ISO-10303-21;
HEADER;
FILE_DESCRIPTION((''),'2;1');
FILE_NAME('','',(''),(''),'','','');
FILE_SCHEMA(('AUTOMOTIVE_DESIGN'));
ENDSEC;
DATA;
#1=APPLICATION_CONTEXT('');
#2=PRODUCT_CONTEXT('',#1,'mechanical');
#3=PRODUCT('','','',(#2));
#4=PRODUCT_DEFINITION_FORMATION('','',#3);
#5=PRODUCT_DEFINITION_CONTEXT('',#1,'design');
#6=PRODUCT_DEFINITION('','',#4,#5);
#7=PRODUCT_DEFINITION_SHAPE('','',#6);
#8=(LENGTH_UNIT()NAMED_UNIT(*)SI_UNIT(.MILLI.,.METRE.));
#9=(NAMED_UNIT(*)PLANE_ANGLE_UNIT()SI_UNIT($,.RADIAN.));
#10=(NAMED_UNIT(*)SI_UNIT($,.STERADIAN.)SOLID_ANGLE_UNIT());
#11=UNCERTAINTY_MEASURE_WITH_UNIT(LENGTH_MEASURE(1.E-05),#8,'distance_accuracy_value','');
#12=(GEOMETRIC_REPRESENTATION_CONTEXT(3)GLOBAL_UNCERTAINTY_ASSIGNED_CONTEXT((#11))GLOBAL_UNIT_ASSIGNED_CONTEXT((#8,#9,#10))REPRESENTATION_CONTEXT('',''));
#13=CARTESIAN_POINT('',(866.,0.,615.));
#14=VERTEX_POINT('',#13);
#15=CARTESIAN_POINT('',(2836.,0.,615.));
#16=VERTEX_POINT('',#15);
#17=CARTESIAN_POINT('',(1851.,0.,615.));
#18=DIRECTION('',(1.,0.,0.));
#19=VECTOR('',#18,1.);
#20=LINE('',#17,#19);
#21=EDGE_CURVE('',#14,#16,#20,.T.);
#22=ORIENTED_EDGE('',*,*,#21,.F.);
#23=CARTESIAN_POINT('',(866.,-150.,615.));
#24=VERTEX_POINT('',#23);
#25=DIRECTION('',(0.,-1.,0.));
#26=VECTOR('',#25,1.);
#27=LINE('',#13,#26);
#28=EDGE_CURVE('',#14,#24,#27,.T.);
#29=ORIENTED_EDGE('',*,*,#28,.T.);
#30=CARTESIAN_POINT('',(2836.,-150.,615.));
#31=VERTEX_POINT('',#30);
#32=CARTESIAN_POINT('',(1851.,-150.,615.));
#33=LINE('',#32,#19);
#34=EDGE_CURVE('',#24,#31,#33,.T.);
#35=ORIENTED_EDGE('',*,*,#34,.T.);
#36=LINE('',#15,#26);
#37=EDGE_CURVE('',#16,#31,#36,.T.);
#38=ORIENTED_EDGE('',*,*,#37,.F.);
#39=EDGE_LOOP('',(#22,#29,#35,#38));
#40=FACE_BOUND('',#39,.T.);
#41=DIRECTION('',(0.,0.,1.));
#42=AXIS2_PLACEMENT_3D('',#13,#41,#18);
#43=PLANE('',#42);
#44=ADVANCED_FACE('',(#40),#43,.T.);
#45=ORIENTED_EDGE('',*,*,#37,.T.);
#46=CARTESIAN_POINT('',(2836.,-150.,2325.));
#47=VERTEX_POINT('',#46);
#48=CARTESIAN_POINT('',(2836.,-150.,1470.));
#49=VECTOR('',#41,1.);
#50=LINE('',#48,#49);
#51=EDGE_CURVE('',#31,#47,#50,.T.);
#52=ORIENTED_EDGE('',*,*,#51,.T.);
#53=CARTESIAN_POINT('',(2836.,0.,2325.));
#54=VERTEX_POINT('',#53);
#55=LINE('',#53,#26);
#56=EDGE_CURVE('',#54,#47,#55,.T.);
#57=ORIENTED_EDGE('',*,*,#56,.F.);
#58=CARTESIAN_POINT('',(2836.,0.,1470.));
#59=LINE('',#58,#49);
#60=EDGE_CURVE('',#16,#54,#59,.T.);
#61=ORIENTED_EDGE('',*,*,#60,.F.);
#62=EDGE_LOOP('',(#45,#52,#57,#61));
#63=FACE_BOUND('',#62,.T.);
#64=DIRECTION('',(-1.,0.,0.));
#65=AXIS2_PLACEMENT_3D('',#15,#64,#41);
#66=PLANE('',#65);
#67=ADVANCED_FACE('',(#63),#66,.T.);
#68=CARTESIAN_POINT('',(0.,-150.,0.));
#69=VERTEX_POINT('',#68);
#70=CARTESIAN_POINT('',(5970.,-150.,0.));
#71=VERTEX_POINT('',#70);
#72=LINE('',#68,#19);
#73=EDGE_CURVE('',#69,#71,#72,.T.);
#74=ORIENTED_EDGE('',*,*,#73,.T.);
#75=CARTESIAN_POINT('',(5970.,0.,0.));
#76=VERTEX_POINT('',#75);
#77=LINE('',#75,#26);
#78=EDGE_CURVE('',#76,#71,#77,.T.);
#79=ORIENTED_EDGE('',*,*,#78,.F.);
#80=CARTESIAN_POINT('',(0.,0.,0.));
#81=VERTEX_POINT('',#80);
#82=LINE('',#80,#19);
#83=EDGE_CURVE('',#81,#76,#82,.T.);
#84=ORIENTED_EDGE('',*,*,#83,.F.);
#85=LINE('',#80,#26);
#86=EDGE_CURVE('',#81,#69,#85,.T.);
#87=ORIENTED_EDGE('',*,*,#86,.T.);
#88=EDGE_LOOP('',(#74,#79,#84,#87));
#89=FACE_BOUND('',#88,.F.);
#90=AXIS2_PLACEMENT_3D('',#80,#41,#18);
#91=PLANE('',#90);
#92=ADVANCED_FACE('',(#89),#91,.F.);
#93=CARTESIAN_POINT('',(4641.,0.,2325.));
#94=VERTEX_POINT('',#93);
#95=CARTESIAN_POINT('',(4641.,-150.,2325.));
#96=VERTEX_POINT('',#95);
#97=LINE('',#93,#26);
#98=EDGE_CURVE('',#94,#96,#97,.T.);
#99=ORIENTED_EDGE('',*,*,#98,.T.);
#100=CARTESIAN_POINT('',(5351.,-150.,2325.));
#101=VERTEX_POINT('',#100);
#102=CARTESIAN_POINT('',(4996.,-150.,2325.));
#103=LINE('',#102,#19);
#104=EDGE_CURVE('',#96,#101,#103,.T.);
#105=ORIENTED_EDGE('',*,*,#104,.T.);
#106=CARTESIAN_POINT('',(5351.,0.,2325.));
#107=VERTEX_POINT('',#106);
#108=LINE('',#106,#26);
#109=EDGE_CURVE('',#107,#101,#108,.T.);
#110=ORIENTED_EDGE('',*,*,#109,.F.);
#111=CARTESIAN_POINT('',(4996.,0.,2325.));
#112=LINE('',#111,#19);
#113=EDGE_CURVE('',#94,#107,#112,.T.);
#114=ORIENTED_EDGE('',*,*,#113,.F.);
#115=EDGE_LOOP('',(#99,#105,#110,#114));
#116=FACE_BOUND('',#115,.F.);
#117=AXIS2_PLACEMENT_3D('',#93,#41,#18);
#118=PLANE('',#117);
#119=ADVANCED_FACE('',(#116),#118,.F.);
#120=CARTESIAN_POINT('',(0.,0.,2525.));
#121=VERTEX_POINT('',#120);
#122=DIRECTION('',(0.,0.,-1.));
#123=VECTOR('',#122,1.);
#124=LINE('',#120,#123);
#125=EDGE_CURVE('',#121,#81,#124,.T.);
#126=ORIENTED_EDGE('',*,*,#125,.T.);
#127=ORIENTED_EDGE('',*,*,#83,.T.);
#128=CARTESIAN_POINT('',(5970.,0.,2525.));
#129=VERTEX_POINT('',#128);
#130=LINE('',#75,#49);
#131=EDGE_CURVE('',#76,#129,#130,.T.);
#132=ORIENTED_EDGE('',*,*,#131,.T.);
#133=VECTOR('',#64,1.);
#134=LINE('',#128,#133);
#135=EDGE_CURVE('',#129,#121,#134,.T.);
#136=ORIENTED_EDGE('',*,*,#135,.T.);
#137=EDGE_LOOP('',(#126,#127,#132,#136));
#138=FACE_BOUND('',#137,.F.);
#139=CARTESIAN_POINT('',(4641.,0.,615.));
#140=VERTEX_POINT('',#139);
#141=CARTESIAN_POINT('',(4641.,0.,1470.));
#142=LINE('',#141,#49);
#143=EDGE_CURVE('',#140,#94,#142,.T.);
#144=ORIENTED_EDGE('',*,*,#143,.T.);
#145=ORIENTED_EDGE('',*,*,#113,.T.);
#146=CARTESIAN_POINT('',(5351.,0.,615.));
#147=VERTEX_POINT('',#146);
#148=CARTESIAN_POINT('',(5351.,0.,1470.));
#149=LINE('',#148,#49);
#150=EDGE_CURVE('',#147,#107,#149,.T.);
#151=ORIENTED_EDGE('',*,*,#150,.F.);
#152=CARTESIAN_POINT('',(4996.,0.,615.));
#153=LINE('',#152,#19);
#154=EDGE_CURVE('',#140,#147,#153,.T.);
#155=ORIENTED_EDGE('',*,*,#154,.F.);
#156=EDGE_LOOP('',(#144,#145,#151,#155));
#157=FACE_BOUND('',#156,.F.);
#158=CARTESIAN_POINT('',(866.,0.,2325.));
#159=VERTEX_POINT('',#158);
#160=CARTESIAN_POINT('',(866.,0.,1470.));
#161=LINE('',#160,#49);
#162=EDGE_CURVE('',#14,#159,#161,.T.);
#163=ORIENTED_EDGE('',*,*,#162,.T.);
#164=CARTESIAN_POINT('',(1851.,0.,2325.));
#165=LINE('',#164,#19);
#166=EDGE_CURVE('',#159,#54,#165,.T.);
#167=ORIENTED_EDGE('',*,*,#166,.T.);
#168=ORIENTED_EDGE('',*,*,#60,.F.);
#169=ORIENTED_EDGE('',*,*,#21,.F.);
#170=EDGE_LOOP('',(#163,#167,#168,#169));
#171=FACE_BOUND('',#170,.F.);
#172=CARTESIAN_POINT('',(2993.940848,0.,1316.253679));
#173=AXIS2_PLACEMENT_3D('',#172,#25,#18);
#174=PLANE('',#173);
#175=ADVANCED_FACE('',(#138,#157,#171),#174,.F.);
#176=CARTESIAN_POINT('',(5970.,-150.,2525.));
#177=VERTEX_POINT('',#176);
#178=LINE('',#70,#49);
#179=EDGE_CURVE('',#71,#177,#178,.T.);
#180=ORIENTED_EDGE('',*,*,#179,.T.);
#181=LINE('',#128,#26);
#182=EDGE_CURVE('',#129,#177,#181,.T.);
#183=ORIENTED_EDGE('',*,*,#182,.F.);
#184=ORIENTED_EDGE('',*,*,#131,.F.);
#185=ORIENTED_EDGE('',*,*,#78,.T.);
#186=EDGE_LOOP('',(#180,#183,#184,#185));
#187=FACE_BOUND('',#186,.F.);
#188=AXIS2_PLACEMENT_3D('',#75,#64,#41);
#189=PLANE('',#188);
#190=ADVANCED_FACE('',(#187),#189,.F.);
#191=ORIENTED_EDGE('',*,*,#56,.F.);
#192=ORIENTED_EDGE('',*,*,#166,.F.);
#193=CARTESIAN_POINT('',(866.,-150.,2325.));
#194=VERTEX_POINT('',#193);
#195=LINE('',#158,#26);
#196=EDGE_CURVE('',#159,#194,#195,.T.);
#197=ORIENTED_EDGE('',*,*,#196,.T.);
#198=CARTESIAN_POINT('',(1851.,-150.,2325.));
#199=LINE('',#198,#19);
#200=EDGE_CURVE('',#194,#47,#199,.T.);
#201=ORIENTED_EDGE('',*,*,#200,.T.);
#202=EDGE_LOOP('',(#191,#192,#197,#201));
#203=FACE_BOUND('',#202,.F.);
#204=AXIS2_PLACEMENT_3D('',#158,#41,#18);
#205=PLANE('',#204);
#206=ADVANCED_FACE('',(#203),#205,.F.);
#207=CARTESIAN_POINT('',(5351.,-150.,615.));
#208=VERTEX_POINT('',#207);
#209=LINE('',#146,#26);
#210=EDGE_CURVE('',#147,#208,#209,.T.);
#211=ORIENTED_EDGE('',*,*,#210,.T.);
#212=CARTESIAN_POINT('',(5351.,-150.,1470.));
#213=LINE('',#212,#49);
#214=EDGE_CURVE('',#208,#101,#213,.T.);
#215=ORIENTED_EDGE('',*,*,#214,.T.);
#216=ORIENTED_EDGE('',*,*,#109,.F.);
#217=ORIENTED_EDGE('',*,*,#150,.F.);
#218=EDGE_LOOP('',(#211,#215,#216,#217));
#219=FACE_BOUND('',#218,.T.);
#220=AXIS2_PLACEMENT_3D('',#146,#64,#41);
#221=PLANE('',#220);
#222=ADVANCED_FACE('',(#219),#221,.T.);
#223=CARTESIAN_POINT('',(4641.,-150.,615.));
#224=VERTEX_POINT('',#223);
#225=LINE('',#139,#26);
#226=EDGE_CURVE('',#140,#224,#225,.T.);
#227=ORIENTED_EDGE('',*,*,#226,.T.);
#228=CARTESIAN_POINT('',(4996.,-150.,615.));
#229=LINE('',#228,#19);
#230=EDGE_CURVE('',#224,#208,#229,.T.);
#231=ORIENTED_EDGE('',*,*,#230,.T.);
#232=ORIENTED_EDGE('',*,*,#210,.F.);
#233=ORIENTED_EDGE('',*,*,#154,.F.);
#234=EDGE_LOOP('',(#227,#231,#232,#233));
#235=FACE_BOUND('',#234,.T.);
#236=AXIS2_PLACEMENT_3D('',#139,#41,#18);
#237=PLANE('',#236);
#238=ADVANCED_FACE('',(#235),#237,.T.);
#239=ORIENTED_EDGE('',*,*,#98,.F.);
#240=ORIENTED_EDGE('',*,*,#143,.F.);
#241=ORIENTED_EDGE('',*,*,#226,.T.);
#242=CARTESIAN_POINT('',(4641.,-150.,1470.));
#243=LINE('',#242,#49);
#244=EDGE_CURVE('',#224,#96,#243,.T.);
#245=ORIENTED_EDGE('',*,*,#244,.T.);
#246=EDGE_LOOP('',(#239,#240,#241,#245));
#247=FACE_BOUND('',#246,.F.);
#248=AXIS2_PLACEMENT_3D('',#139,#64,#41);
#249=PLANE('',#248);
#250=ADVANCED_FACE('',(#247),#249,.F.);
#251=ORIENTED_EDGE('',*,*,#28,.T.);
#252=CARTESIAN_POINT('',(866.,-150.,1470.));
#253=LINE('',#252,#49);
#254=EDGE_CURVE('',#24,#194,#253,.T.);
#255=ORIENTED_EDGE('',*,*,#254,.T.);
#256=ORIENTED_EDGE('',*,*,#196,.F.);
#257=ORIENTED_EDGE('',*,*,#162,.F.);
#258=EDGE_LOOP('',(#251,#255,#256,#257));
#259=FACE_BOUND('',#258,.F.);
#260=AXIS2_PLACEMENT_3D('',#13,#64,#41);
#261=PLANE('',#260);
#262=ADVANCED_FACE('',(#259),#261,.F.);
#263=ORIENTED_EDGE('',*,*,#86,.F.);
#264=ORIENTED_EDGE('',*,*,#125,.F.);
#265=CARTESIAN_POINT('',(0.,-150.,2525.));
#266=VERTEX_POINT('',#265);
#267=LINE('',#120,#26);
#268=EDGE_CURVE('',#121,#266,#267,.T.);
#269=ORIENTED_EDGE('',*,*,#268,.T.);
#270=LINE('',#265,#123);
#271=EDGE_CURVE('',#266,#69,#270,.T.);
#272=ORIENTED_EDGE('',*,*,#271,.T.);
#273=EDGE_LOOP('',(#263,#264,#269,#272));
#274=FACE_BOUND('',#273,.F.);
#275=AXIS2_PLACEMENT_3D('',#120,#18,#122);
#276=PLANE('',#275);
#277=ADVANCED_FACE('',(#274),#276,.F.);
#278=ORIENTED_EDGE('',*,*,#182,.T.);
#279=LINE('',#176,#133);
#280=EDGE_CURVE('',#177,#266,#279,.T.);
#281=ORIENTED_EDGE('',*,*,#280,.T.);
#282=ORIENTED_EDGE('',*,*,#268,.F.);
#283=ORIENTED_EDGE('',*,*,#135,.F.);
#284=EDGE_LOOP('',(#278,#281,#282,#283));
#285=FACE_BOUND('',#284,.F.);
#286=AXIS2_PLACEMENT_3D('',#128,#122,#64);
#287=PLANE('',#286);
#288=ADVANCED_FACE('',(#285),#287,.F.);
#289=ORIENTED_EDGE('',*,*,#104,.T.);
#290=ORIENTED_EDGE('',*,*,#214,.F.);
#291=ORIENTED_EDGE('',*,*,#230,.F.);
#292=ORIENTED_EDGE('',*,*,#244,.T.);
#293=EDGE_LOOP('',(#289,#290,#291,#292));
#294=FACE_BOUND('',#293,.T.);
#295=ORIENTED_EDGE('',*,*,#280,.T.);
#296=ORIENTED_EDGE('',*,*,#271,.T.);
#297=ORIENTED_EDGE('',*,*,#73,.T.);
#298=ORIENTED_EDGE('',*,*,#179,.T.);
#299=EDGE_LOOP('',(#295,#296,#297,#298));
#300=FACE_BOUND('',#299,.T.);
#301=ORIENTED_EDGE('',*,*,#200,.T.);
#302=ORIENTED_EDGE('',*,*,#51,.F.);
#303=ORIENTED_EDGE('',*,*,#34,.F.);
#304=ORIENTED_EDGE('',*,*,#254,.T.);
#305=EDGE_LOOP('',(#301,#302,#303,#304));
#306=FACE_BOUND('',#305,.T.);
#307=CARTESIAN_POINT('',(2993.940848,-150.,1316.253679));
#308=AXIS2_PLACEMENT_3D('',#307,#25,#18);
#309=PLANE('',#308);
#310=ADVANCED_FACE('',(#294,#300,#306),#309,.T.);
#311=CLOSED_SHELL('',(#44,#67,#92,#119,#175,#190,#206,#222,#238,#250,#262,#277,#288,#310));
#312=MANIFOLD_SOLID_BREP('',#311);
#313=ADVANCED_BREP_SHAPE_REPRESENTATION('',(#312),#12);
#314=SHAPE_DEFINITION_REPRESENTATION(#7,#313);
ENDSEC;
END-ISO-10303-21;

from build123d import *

# Parameters (mm, degrees)
F0_W     = 1970
F0_H     = 1710
F0_W_2   = 710
F0_W_3   = 619
F0_H_2   = 615
F0_W_4   = 866
F1_DEPTH = 150


with BuildPart() as f1:
    # F0 (on Front) → F1 (new body)
    with BuildSketch(Plane.XZ):
        Polygon((866, 615), (866, 0), (5351, 0), (5351, 615), (5970, 615), (5970, 2525), (0, 2525), (0, 615), align=None)
        with Locations((1851, 1470)):
            Rectangle(F0_W, F0_H, mode=Mode.SUBTRACT)
        with Locations((4996, 1470)):
            Rectangle(F0_W_2, F0_H, mode=Mode.SUBTRACT)
        with Locations((5660.5, 307.5)):
            Rectangle(F0_W_3, F0_H_2)
        with Locations((433, 307.5)):
            Rectangle(F0_W_4, F0_H_2)
    extrude(amount=F1_DEPTH)


solid = f1.part
